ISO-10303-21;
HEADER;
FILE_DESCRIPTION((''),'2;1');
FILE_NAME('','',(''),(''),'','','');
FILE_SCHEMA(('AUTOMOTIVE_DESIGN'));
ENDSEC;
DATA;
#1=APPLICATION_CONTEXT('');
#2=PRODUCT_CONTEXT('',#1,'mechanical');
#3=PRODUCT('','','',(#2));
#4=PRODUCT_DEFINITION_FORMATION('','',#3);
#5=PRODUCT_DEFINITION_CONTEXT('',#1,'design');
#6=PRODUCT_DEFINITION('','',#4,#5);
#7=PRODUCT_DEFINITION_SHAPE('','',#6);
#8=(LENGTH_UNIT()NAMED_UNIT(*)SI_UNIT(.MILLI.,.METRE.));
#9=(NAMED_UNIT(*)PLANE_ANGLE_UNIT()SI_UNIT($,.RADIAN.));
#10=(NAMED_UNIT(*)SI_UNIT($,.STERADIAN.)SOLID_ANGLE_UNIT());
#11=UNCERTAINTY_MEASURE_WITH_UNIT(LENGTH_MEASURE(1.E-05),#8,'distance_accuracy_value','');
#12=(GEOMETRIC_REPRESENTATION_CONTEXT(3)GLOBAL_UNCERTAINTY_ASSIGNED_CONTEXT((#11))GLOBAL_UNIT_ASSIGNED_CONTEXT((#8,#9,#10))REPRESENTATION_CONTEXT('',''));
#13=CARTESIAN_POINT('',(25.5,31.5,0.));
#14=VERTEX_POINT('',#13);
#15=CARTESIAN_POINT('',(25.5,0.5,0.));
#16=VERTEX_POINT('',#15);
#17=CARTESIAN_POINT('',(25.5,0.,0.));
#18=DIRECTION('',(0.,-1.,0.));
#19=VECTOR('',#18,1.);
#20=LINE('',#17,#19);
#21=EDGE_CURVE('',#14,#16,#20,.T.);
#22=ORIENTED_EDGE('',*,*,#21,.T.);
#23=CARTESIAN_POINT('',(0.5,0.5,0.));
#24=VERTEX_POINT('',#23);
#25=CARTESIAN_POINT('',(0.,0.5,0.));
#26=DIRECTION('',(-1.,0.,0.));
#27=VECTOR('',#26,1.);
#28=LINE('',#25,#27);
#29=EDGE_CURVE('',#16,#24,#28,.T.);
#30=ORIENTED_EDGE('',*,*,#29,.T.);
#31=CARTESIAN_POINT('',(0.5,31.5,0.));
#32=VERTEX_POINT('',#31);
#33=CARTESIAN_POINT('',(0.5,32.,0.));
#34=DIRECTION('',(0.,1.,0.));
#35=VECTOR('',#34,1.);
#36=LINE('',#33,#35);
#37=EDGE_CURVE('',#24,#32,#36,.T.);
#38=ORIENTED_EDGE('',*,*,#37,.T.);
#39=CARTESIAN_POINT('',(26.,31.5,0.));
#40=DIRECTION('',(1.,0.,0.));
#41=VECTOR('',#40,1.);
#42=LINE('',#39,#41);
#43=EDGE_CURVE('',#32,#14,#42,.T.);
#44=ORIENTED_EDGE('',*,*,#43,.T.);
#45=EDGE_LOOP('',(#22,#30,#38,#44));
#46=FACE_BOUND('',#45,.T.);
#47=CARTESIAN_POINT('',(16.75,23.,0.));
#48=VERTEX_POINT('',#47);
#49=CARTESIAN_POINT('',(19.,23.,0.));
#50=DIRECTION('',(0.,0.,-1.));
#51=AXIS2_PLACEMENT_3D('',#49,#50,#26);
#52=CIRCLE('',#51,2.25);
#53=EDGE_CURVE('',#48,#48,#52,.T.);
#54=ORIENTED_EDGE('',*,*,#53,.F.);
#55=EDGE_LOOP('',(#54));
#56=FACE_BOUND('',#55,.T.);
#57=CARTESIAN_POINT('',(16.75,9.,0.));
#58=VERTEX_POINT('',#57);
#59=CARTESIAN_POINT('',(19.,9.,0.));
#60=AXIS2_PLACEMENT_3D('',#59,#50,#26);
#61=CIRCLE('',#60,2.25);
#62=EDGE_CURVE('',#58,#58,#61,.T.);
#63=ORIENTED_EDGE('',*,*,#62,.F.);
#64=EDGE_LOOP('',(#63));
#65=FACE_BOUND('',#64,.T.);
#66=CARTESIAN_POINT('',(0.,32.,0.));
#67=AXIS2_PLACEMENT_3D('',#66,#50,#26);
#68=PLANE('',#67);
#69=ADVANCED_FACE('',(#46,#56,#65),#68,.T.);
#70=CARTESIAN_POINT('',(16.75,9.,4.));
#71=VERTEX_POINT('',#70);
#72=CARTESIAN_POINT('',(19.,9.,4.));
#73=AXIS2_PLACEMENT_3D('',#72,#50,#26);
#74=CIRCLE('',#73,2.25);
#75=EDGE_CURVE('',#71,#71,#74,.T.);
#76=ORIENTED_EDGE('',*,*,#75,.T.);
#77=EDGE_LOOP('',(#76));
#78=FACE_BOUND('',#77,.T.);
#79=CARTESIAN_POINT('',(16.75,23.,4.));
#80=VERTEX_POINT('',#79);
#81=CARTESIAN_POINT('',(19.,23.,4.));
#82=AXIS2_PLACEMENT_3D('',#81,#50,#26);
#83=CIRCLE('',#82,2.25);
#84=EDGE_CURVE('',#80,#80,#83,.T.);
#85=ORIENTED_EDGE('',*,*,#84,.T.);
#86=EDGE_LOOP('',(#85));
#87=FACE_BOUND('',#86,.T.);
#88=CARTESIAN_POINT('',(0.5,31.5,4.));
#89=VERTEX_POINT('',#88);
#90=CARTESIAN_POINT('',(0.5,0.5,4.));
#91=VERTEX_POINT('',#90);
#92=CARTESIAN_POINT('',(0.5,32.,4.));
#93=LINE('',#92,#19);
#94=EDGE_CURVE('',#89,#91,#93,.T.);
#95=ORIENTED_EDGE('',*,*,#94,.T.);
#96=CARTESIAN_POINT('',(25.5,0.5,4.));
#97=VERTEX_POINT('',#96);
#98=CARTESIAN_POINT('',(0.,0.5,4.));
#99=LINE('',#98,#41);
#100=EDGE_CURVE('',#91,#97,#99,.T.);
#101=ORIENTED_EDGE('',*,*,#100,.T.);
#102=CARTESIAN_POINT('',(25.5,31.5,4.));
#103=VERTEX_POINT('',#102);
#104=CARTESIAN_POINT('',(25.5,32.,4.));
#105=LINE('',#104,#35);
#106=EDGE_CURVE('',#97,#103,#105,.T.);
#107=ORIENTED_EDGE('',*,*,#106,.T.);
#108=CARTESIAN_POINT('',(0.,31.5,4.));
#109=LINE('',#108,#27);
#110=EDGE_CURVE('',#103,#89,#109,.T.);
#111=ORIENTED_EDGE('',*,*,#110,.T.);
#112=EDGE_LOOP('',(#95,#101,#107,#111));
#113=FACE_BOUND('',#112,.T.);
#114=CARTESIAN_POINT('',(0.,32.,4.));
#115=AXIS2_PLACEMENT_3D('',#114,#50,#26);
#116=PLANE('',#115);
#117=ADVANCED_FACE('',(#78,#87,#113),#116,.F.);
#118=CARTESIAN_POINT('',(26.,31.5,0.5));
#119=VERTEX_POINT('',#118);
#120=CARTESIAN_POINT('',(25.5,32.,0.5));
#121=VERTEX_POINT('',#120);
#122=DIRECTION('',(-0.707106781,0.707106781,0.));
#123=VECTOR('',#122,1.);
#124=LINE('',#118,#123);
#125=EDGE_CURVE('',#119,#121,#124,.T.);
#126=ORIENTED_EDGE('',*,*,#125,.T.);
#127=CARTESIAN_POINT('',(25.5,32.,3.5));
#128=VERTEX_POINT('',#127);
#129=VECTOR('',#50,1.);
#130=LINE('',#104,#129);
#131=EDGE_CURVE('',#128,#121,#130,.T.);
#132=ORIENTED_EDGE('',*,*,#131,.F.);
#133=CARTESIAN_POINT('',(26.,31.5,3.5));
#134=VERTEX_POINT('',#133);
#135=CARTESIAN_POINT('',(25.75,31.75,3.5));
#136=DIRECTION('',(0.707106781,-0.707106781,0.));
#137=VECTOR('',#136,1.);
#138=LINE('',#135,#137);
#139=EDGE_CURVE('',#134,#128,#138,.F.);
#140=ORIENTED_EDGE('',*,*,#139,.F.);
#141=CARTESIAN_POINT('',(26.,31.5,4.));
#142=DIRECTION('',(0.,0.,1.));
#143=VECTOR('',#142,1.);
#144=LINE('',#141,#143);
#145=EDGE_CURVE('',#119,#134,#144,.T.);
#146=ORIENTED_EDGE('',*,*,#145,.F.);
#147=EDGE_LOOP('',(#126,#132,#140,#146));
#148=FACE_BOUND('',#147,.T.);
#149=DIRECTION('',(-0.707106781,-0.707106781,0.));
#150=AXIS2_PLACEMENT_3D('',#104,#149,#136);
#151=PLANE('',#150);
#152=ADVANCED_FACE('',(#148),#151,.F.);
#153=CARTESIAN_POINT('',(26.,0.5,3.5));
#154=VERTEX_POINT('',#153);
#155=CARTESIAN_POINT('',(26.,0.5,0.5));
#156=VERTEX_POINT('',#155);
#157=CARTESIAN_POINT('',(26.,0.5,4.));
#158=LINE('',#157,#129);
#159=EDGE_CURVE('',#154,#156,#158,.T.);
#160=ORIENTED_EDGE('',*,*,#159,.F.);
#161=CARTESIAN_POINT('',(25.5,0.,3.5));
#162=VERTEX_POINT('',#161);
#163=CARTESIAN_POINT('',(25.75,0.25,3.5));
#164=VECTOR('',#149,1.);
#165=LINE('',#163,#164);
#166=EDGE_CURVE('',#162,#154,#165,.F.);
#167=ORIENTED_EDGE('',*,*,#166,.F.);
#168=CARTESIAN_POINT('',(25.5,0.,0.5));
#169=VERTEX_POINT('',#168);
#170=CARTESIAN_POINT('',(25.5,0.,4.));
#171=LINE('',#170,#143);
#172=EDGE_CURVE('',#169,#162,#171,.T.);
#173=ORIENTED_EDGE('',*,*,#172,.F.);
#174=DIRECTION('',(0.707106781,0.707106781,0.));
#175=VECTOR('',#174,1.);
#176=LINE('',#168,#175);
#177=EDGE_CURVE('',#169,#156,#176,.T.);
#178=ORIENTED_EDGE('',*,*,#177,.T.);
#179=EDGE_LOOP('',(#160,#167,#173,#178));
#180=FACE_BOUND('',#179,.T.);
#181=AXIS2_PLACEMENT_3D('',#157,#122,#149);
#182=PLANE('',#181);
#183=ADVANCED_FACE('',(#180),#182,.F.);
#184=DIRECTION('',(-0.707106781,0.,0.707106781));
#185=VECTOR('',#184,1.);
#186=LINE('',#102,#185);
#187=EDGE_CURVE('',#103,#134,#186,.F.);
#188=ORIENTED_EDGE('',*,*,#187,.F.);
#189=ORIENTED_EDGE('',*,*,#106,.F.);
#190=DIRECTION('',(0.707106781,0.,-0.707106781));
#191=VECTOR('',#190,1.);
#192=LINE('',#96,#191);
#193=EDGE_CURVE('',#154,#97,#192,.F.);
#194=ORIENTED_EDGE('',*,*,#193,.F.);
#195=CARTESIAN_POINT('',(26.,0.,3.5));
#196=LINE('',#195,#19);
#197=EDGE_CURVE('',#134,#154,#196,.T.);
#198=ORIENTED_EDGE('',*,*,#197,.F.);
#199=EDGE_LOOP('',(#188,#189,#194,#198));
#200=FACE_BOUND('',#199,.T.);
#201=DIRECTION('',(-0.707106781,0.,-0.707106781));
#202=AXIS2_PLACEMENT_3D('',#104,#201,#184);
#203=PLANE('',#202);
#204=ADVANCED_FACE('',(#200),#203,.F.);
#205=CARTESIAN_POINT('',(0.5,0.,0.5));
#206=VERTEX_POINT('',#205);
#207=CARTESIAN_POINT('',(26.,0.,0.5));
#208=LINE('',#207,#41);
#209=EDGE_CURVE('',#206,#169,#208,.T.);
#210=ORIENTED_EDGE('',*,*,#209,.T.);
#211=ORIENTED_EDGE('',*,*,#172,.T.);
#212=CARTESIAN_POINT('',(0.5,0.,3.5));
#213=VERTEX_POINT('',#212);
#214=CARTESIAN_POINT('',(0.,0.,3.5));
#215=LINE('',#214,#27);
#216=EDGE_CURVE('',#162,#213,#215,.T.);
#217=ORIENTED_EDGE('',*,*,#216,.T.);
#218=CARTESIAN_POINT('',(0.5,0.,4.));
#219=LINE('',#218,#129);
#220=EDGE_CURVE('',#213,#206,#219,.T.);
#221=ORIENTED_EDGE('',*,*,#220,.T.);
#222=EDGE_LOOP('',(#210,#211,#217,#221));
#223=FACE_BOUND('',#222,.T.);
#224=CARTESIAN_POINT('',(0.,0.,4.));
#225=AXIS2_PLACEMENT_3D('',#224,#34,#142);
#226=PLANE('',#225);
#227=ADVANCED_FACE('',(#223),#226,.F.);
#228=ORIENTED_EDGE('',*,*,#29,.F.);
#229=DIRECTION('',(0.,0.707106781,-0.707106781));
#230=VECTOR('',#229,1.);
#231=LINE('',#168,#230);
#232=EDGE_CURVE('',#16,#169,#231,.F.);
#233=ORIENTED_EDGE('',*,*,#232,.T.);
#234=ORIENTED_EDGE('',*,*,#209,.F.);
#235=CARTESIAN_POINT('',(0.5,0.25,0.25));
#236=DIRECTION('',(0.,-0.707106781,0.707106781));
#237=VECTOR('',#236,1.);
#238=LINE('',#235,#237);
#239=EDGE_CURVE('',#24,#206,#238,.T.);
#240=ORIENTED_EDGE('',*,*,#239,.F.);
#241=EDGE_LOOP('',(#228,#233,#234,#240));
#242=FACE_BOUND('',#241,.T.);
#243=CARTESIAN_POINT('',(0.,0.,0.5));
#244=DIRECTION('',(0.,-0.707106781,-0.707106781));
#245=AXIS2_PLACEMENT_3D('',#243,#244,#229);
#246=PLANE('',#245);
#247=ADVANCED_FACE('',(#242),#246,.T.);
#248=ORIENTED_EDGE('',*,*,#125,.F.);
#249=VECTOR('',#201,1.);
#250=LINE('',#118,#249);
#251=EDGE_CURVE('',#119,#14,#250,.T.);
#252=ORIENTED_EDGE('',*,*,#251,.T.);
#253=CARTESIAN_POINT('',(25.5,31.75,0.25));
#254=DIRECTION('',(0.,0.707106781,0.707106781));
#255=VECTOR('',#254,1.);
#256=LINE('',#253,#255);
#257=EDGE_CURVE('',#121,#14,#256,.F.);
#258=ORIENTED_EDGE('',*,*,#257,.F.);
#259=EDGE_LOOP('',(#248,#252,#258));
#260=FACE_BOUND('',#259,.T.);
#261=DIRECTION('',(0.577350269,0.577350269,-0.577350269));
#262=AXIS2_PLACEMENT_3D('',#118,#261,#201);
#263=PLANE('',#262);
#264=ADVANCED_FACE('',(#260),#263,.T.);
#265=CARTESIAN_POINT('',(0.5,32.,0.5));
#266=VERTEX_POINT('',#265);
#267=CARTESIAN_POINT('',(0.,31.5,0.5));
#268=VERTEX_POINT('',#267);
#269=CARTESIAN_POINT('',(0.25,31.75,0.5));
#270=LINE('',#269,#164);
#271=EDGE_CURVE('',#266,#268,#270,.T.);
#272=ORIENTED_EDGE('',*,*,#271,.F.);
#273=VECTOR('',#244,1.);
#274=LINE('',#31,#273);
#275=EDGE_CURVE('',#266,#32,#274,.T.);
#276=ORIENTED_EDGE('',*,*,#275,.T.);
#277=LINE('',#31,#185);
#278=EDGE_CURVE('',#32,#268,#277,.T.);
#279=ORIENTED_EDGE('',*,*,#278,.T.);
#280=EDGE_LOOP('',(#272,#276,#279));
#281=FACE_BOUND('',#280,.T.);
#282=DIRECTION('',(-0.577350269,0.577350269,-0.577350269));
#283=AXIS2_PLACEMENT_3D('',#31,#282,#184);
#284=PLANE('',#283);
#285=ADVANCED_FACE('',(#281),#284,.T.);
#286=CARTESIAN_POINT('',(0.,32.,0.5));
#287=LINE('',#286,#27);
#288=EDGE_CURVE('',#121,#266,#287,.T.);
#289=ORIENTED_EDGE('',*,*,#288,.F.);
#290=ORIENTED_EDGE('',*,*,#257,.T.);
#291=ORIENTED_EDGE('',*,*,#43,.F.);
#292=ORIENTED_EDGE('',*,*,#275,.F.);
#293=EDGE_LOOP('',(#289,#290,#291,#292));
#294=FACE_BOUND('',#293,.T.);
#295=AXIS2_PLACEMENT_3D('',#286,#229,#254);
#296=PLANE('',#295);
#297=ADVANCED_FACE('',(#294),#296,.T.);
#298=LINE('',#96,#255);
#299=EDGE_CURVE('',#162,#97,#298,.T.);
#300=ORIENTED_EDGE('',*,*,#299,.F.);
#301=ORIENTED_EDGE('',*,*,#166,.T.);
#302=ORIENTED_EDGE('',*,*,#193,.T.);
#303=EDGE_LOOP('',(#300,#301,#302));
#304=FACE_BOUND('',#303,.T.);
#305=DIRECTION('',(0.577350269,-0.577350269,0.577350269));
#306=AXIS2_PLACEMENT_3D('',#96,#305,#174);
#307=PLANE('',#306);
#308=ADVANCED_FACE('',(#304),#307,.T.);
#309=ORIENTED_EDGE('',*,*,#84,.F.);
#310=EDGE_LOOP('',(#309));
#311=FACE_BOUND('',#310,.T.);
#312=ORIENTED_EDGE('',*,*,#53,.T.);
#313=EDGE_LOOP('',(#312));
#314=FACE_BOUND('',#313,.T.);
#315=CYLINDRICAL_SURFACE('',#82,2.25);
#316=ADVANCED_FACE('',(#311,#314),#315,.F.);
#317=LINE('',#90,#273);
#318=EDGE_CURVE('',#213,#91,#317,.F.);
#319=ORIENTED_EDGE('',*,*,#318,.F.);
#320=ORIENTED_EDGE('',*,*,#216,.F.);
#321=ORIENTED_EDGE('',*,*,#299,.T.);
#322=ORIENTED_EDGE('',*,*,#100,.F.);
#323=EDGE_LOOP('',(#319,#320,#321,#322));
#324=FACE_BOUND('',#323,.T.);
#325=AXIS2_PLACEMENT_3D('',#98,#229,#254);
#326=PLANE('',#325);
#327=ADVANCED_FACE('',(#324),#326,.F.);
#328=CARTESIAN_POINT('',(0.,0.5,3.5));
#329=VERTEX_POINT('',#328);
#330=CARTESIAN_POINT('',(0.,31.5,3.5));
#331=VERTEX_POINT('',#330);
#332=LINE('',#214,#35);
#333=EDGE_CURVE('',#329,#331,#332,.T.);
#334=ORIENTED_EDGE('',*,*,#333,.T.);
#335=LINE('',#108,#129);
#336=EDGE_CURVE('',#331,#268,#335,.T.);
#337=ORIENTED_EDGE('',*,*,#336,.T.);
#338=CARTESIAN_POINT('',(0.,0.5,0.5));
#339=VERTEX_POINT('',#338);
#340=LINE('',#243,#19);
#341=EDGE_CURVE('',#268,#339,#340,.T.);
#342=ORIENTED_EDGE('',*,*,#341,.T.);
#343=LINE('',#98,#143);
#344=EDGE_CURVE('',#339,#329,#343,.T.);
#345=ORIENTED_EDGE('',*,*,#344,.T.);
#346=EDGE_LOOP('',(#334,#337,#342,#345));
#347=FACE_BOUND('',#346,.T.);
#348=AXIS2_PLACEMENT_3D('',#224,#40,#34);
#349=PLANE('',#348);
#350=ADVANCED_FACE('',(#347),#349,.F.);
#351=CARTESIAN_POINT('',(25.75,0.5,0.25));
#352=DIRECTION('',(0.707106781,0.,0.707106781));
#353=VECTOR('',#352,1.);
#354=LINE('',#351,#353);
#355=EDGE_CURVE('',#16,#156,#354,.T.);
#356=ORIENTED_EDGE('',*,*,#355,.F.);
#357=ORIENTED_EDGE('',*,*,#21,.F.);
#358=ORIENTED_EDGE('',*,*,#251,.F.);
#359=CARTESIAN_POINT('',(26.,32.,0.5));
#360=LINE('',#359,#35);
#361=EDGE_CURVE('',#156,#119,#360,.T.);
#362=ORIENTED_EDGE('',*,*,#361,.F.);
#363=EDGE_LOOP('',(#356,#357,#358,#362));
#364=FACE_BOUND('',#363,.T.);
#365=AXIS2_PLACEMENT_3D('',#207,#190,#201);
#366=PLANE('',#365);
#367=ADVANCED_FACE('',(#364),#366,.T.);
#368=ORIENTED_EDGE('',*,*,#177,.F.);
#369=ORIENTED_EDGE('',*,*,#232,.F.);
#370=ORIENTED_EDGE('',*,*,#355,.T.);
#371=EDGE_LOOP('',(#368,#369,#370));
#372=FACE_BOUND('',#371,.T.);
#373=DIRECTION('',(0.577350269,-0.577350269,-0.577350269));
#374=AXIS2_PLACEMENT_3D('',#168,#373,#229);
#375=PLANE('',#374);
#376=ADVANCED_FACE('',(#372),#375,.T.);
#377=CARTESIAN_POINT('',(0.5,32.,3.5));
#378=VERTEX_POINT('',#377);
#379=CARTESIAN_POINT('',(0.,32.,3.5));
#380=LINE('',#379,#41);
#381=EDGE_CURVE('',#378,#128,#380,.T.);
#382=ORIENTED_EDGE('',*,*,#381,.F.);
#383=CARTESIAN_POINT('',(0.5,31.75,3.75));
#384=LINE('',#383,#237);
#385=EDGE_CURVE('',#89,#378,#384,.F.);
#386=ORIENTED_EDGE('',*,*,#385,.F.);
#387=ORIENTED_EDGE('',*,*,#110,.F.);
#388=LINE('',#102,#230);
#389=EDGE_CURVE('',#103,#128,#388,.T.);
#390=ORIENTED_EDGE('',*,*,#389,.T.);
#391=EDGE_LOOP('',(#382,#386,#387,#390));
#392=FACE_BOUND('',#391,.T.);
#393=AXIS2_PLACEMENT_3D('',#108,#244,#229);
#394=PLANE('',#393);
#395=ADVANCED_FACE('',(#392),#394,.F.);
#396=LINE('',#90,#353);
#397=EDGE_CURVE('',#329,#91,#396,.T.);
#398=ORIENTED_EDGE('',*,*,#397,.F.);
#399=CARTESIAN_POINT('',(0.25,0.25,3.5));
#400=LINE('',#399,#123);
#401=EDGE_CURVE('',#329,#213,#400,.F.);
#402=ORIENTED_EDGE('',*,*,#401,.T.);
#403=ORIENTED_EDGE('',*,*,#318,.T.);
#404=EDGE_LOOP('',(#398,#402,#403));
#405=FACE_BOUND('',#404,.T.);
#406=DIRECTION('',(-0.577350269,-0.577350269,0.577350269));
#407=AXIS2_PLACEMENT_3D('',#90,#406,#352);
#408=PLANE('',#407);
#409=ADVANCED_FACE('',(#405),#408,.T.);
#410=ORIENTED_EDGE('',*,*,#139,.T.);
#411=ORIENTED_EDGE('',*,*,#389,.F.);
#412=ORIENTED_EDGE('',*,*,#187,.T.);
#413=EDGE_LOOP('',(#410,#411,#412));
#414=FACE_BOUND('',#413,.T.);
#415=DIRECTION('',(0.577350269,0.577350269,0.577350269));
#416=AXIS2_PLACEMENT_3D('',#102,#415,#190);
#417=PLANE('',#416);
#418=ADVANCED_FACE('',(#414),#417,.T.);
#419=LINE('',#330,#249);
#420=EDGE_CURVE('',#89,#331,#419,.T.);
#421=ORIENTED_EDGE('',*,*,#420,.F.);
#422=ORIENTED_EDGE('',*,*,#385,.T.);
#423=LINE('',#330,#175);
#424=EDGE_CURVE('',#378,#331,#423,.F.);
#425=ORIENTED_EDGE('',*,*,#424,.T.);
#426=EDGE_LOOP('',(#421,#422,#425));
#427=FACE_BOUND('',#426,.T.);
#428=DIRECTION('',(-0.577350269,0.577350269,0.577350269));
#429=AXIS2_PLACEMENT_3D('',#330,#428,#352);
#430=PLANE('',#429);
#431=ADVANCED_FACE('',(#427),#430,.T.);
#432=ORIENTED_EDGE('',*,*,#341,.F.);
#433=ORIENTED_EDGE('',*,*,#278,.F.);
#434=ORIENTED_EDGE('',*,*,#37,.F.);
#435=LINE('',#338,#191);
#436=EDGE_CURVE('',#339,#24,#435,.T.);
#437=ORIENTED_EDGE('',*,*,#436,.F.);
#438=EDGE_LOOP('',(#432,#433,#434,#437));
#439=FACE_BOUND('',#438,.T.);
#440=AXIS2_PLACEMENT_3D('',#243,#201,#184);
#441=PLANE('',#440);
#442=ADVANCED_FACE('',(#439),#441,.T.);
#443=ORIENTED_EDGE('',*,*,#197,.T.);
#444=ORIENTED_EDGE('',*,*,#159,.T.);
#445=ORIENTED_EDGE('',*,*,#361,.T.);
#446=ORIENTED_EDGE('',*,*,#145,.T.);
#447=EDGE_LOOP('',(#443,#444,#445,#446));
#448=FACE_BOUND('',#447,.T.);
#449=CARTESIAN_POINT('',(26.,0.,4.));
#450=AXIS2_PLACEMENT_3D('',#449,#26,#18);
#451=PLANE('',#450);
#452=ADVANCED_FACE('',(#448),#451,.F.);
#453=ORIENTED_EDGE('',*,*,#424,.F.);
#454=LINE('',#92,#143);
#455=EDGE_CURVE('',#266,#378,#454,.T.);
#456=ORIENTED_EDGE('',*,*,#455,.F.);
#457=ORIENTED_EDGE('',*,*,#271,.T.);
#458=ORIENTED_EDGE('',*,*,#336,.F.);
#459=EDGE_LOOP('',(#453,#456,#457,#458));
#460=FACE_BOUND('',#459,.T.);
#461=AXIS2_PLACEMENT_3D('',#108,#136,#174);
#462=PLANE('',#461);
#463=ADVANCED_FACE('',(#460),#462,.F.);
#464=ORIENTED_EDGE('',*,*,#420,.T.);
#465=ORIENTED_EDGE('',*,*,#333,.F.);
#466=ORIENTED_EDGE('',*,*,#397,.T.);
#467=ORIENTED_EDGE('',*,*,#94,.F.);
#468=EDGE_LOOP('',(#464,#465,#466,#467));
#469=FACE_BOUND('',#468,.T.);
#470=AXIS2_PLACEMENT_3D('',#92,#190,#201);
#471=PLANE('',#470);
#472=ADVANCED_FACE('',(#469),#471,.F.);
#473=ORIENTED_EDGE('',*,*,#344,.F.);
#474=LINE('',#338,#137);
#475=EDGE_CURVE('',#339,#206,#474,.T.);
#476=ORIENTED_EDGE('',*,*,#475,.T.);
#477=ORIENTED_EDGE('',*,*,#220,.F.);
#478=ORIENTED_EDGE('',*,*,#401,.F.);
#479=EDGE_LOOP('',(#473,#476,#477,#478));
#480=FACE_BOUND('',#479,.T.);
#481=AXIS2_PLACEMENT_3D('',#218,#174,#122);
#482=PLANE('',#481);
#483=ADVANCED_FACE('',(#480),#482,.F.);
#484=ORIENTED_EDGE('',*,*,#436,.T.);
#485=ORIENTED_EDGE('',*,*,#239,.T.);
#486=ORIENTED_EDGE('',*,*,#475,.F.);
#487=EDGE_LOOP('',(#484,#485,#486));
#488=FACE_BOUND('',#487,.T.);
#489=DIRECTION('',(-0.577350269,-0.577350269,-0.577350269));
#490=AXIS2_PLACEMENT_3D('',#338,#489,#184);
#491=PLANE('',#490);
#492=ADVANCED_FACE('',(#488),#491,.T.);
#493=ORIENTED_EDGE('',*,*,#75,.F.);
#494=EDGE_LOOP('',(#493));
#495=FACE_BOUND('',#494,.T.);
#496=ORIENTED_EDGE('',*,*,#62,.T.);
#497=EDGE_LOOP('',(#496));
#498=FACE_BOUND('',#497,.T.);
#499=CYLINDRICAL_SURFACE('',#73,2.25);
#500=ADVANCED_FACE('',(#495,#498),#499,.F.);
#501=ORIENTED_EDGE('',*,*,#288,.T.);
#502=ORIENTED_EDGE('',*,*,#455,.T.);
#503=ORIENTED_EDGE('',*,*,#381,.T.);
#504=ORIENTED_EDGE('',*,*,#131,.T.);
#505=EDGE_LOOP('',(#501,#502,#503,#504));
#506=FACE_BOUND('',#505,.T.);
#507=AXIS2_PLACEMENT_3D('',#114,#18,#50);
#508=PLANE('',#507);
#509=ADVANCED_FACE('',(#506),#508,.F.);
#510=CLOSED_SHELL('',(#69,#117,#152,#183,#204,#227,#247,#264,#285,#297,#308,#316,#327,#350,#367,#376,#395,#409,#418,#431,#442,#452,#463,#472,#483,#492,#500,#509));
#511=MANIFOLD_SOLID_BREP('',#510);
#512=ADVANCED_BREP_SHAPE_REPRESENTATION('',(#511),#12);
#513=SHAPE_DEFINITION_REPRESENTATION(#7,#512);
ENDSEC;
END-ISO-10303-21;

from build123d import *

# Parameters (mm, degrees)
SKETCH_1_W          = 26
SKETCH_1_H          = 32
EXTRUDE_1_DEPTH     = 4
CHAMFER_1_SIZE      = 0.5
SKETCH_2_R          = 2.25
CUT_EXTRUDE_1_DEPTH = 42.424630354


with BuildPart() as part:
    # 草图1 → 凸台-拉伸1 (new body)
    with BuildSketch(Plane.XY):
        with Locations((13, 16)):
            Rectangle(SKETCH_1_W, SKETCH_1_H)
    extrude(amount=EXTRUDE_1_DEPTH)

    # 倒角1
    chamfer_1_edges = [part.edges().sort_by_distance(p)[0] for p in [
        (26, 16, 4),
        (13, 32, 4),
        (0, 16, 4),
        (13, 32, 0),
        (26, 16, 0),
        (13, 0, 0),
        (0, 16, 0),
        (13, 0, 4),
        (0, 32, 2),
        (26, 32, 2),
        (26, 0, 2),
        (0, 0, 2),
    ]]
    chamfer(chamfer_1_edges, length=CHAMFER_1_SIZE)

    # 草图2 → 切除-拉伸1 (cut, through all)
    with BuildSketch(Plane(origin=(0, 0, 0), x_dir=(-1, 0, 0), z_dir=(0, 0, -1))):
        with Locations((-19, 9)):
            Circle(SKETCH_2_R)
        with Locations((-19, 23)):
            Circle(SKETCH_2_R)
    extrude(amount=-CUT_EXTRUDE_1_DEPTH, mode=Mode.SUBTRACT)


solid = part.part
